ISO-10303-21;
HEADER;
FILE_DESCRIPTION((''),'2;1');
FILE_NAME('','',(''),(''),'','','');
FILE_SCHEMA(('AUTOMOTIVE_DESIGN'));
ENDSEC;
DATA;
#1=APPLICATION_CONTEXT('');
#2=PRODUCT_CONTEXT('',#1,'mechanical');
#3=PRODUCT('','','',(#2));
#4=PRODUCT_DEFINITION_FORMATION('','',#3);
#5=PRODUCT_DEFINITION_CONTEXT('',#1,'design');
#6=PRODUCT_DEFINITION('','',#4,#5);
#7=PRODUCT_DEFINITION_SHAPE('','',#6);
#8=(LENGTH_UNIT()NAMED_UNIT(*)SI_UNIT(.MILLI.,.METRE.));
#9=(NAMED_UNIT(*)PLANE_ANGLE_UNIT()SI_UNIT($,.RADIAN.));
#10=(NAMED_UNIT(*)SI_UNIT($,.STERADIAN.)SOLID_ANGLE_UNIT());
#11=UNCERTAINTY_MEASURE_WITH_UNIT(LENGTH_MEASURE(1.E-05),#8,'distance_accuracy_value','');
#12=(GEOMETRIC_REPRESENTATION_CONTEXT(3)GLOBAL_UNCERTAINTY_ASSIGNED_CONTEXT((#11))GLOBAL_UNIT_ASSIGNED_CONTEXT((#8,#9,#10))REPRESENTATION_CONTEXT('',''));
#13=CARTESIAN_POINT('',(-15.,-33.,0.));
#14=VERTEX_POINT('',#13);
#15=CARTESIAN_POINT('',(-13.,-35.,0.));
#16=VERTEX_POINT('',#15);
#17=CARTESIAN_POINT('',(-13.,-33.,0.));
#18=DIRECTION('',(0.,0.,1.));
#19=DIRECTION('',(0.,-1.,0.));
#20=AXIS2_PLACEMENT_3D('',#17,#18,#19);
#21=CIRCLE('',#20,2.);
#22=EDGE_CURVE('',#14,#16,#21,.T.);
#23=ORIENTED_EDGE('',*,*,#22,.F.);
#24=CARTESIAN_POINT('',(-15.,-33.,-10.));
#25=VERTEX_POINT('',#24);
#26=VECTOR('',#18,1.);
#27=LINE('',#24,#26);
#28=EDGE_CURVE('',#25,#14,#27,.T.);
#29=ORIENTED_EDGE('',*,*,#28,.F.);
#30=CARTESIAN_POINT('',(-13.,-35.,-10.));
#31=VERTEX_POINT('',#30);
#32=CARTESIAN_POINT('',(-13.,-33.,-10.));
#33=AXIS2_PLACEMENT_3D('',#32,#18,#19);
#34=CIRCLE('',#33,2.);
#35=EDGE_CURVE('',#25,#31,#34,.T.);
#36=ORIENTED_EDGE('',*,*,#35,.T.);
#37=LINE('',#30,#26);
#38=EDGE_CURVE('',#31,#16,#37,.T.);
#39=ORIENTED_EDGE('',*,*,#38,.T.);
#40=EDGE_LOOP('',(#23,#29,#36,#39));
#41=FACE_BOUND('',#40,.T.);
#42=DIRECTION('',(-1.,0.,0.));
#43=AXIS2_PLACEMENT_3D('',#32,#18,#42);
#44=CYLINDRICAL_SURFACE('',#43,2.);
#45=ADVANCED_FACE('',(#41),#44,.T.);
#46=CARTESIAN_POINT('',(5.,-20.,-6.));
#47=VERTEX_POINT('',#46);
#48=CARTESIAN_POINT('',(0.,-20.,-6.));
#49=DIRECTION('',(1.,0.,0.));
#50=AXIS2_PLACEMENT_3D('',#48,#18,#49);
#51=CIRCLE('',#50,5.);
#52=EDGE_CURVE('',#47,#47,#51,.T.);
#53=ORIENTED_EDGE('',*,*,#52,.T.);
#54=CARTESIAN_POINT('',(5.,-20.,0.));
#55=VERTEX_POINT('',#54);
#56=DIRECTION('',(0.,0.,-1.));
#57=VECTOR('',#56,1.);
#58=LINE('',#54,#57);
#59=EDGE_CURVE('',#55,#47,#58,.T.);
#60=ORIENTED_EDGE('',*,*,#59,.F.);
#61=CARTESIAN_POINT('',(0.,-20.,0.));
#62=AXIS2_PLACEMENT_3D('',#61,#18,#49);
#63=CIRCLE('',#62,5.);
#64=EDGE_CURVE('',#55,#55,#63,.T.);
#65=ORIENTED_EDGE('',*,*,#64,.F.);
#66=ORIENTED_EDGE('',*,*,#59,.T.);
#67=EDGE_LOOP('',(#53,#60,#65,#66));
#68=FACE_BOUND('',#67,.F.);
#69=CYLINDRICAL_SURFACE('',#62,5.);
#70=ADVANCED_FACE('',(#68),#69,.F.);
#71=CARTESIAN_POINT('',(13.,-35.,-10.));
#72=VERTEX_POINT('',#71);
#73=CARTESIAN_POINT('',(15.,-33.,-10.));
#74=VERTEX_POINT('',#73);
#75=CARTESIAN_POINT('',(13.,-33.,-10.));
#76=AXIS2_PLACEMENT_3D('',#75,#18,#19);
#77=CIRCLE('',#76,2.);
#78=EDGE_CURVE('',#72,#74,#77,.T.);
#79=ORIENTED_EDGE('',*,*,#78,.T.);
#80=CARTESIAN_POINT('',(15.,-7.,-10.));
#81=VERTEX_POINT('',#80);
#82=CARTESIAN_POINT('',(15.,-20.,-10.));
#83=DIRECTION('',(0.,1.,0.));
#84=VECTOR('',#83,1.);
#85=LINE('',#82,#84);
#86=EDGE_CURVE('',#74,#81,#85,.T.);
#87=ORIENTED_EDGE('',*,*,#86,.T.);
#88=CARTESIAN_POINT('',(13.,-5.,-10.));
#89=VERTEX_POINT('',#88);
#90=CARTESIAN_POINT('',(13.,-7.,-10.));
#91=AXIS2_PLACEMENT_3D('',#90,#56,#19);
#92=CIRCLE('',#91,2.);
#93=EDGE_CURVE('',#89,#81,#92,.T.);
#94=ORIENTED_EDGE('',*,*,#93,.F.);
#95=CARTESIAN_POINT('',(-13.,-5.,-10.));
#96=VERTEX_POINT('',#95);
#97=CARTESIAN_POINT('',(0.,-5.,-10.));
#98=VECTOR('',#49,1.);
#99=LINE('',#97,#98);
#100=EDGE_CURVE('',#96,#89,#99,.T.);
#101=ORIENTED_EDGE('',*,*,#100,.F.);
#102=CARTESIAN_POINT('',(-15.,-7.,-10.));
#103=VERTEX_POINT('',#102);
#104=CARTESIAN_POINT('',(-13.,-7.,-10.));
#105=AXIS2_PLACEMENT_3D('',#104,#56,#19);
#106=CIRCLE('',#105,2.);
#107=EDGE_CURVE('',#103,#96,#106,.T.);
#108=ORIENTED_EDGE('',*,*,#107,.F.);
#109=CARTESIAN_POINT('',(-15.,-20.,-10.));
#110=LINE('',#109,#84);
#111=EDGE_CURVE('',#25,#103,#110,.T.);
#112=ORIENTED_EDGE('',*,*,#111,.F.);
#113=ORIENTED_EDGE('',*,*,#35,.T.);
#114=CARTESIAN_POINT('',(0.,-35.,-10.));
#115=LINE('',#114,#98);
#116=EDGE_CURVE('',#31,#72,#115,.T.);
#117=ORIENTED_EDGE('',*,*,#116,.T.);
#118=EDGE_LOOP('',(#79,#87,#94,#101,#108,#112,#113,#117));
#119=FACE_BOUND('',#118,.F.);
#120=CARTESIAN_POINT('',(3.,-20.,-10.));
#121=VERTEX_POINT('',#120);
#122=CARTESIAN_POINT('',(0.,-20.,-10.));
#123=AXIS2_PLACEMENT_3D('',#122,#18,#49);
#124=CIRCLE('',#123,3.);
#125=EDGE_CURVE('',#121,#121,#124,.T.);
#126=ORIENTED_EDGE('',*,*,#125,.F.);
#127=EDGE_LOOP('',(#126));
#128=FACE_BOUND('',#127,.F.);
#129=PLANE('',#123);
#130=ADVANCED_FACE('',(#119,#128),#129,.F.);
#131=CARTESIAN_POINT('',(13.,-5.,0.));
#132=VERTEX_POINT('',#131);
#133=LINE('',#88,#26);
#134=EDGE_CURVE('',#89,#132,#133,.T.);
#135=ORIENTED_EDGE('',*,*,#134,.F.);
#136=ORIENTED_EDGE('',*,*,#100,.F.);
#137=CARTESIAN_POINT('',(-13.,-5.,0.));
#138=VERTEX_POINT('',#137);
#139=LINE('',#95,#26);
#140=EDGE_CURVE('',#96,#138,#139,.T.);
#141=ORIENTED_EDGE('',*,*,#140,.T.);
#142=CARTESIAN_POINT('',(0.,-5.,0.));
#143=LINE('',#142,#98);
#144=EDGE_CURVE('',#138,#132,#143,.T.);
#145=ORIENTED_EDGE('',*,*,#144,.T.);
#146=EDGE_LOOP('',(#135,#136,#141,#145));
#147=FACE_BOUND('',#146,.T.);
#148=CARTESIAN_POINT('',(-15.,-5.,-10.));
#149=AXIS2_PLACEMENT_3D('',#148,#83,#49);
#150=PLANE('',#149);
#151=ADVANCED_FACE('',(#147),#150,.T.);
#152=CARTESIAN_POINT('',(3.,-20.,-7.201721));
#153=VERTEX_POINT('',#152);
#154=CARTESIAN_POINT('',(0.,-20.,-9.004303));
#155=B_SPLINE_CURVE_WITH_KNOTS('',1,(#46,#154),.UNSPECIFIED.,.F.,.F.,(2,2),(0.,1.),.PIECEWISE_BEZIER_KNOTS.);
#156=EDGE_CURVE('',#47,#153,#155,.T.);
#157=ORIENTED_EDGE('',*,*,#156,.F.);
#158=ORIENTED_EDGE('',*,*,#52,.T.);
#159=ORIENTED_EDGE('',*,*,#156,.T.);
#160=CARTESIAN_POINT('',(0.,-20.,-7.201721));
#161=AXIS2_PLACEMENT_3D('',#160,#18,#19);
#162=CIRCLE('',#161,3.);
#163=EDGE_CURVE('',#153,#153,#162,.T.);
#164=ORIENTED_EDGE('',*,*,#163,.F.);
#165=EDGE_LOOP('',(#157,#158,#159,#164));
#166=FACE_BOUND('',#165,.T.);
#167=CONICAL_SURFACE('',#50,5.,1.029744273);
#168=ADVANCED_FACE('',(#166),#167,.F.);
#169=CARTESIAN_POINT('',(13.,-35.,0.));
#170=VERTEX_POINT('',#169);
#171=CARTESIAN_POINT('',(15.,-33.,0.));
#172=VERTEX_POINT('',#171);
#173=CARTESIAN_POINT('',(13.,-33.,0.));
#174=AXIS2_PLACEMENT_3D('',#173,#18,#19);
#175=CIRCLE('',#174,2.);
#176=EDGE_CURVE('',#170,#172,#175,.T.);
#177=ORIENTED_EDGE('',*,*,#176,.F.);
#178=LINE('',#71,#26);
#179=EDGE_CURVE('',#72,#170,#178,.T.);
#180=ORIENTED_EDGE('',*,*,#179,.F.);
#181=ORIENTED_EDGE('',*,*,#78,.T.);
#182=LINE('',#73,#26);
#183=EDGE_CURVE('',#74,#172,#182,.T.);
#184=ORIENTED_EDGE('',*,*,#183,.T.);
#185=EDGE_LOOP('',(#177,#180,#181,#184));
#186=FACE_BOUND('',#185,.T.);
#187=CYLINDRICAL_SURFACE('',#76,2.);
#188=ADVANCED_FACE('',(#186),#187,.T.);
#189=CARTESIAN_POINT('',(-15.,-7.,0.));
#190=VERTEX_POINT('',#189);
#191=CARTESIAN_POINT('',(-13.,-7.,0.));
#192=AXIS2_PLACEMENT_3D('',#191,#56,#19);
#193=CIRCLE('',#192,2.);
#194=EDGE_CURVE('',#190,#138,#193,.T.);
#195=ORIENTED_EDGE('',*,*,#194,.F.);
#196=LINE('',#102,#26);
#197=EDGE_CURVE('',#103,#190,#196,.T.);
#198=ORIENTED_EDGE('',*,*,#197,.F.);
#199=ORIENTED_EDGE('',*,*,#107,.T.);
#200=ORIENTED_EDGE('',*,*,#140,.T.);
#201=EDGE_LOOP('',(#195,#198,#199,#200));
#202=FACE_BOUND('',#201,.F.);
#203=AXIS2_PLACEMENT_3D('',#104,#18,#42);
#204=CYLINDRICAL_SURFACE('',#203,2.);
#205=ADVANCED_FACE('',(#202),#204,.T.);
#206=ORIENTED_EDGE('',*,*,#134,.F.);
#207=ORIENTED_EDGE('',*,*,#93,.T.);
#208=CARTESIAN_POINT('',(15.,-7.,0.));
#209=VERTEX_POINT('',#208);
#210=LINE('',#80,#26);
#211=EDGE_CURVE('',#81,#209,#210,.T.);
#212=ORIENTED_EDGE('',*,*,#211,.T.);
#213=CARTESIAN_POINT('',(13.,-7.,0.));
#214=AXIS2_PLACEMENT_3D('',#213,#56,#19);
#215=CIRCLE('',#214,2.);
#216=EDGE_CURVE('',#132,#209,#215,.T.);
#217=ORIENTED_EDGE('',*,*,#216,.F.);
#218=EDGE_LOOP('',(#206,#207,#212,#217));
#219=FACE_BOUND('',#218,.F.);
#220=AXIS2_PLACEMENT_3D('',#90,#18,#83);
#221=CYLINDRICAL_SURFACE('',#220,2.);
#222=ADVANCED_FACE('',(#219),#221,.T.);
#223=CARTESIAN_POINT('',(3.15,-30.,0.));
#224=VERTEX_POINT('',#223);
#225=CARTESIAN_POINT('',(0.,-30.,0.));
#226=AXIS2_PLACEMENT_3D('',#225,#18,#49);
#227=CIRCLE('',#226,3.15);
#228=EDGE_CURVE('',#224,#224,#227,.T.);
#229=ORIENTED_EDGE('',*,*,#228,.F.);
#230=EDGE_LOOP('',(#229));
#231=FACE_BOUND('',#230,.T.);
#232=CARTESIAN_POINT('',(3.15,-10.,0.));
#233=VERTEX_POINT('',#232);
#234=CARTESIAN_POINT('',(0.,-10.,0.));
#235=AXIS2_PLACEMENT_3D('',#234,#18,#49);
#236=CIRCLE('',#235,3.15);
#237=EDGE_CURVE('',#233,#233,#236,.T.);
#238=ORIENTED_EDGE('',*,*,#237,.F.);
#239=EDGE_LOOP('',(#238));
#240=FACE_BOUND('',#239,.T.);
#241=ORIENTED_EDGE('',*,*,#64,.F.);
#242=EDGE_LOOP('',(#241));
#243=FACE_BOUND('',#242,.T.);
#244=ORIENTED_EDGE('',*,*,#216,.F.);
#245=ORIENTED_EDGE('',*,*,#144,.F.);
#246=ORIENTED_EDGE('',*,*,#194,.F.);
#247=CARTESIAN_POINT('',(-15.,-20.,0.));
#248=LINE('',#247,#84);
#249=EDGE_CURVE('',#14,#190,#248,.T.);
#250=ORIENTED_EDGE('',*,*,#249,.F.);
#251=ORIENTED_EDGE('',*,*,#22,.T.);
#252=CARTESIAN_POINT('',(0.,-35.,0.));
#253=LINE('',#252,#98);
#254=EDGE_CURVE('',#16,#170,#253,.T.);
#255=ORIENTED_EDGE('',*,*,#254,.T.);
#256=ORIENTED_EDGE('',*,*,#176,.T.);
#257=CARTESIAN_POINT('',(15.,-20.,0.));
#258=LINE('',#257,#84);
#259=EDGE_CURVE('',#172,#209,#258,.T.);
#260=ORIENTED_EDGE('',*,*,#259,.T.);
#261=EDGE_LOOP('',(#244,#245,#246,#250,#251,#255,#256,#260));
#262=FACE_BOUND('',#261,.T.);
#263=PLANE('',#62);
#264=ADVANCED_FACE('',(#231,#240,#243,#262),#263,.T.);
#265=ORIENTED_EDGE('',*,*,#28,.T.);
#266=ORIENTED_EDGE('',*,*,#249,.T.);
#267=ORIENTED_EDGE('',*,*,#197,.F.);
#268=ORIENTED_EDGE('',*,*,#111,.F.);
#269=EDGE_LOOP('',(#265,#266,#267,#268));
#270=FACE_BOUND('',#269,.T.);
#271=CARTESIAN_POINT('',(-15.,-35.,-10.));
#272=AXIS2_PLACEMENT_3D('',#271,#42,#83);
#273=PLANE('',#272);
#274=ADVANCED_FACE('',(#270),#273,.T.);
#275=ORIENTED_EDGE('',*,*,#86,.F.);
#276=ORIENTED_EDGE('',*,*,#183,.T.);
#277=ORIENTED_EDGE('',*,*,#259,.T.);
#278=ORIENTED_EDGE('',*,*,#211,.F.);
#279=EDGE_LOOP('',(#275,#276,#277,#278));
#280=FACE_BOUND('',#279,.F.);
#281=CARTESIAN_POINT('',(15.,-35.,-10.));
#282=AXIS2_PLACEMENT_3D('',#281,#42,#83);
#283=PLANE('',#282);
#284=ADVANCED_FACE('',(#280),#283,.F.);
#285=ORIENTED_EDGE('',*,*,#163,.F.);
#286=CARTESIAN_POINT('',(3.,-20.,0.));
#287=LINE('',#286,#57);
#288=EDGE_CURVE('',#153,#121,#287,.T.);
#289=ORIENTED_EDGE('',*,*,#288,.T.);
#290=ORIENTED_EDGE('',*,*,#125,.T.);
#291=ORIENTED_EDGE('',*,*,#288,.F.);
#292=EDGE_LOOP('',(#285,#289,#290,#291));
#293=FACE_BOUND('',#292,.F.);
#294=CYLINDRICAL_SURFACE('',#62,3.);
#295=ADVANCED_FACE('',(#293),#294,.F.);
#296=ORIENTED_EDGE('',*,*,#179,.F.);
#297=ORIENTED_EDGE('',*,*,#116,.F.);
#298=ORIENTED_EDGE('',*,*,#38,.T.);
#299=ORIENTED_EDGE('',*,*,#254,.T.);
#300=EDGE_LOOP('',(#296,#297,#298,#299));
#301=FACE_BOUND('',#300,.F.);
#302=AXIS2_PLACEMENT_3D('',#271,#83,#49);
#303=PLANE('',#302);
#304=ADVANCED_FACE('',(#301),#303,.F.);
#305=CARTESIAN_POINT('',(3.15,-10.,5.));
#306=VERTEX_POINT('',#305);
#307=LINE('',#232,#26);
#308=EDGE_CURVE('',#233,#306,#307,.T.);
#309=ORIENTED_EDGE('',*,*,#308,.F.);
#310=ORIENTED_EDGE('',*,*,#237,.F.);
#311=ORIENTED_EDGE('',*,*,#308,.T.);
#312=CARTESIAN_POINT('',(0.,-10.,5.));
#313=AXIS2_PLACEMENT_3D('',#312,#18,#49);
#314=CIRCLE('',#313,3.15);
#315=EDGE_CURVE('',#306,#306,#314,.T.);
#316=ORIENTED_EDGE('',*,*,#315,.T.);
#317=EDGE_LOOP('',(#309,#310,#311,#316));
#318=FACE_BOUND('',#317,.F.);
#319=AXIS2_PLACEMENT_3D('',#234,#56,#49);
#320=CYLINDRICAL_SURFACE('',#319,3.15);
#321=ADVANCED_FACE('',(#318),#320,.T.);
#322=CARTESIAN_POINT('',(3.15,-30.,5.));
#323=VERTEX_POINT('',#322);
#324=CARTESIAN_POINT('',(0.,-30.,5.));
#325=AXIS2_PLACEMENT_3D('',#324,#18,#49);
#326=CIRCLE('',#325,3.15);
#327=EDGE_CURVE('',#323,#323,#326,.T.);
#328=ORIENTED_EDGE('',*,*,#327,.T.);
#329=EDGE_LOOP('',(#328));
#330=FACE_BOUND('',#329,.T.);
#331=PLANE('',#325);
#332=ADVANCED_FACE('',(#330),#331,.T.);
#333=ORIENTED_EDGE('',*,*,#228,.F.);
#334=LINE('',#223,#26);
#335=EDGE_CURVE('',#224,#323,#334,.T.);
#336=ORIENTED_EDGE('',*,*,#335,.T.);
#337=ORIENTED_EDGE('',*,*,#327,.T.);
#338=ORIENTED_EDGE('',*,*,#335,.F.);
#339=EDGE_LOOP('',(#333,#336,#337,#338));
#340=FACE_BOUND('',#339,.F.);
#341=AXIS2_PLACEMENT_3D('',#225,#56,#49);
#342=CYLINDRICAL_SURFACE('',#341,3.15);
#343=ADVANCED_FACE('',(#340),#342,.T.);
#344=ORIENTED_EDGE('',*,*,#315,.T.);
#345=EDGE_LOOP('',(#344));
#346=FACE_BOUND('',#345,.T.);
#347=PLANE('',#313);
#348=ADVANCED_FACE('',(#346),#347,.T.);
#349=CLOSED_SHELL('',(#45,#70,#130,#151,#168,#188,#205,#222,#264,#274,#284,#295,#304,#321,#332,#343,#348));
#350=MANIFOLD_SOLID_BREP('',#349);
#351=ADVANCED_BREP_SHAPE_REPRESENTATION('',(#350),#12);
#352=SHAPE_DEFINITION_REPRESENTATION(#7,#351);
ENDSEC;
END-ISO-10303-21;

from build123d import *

# Parameters (mm, degrees)
SKETCH005_W    = 30
SKETCH005_H    = 30
PAD003_DEPTH   = 10
SKETCH006_R    = 3.15
PAD004_DEPTH   = 5
SKETCH007_R    = 3
HOLE002_DEPTH  = 25
SKETCH008_R    = 5
HOLE003_DEPTH  = 6
HOLE003_TIPS_R = 5
FILLET_R       = 2


with BuildPart() as part:
    # Sketch005 → Pad003 (new body)
    with BuildSketch(Plane.XY):
        Rectangle(SKETCH005_W, SKETCH005_H)
    extrude(amount=PAD003_DEPTH)

    # Sketch006 (on Face6 of Pad003) → Pad004 (join)
    with BuildSketch(Plane.XY.offset(10)):
        with Locations((0, 10)):
            Circle(SKETCH006_R)
        with Locations((0, -10)):
            Circle(SKETCH006_R)
    extrude(amount=PAD004_DEPTH)

    # Sketch007 (on Face5 of Pad004) → Hole002 (cut)
    with BuildSketch(Plane.XY.offset(10)):
        Circle(SKETCH007_R)
    extrude(amount=-HOLE002_DEPTH, mode=Mode.SUBTRACT)

    # Sketch008 (on Face5 of Hole002) → Hole003 (cut)
    with BuildSketch(Plane.XY.offset(10)):
        Circle(SKETCH008_R)
    extrude(amount=-HOLE003_DEPTH, mode=Mode.SUBTRACT)

    # Hole003 tips → Hole003 tip 1 section 0
    with BuildSketch(Plane.XY.offset(4), mode=Mode.PRIVATE) as hole003_tip_1_s0:
        Circle(HOLE003_TIPS_R)
    loft([hole003_tip_1_s0.sketch, Vertex(0, 0, 0.995697)], mode=Mode.SUBTRACT)

    # Fillet
    fillet_edges = [part.edges().sort_by_distance(p)[0] for p in [
        (15, -15, 5),
        (-15, -15, 5),
        (-15, 15, 5),
        (15, 15, 5),
    ]]
    fillet(fillet_edges, radius=FILLET_R)


with BuildPart() as part_1:
    # Body001 placement: moved
    add(part.part.moved(Location((0, -20, -10))))


solid = part_1.part
